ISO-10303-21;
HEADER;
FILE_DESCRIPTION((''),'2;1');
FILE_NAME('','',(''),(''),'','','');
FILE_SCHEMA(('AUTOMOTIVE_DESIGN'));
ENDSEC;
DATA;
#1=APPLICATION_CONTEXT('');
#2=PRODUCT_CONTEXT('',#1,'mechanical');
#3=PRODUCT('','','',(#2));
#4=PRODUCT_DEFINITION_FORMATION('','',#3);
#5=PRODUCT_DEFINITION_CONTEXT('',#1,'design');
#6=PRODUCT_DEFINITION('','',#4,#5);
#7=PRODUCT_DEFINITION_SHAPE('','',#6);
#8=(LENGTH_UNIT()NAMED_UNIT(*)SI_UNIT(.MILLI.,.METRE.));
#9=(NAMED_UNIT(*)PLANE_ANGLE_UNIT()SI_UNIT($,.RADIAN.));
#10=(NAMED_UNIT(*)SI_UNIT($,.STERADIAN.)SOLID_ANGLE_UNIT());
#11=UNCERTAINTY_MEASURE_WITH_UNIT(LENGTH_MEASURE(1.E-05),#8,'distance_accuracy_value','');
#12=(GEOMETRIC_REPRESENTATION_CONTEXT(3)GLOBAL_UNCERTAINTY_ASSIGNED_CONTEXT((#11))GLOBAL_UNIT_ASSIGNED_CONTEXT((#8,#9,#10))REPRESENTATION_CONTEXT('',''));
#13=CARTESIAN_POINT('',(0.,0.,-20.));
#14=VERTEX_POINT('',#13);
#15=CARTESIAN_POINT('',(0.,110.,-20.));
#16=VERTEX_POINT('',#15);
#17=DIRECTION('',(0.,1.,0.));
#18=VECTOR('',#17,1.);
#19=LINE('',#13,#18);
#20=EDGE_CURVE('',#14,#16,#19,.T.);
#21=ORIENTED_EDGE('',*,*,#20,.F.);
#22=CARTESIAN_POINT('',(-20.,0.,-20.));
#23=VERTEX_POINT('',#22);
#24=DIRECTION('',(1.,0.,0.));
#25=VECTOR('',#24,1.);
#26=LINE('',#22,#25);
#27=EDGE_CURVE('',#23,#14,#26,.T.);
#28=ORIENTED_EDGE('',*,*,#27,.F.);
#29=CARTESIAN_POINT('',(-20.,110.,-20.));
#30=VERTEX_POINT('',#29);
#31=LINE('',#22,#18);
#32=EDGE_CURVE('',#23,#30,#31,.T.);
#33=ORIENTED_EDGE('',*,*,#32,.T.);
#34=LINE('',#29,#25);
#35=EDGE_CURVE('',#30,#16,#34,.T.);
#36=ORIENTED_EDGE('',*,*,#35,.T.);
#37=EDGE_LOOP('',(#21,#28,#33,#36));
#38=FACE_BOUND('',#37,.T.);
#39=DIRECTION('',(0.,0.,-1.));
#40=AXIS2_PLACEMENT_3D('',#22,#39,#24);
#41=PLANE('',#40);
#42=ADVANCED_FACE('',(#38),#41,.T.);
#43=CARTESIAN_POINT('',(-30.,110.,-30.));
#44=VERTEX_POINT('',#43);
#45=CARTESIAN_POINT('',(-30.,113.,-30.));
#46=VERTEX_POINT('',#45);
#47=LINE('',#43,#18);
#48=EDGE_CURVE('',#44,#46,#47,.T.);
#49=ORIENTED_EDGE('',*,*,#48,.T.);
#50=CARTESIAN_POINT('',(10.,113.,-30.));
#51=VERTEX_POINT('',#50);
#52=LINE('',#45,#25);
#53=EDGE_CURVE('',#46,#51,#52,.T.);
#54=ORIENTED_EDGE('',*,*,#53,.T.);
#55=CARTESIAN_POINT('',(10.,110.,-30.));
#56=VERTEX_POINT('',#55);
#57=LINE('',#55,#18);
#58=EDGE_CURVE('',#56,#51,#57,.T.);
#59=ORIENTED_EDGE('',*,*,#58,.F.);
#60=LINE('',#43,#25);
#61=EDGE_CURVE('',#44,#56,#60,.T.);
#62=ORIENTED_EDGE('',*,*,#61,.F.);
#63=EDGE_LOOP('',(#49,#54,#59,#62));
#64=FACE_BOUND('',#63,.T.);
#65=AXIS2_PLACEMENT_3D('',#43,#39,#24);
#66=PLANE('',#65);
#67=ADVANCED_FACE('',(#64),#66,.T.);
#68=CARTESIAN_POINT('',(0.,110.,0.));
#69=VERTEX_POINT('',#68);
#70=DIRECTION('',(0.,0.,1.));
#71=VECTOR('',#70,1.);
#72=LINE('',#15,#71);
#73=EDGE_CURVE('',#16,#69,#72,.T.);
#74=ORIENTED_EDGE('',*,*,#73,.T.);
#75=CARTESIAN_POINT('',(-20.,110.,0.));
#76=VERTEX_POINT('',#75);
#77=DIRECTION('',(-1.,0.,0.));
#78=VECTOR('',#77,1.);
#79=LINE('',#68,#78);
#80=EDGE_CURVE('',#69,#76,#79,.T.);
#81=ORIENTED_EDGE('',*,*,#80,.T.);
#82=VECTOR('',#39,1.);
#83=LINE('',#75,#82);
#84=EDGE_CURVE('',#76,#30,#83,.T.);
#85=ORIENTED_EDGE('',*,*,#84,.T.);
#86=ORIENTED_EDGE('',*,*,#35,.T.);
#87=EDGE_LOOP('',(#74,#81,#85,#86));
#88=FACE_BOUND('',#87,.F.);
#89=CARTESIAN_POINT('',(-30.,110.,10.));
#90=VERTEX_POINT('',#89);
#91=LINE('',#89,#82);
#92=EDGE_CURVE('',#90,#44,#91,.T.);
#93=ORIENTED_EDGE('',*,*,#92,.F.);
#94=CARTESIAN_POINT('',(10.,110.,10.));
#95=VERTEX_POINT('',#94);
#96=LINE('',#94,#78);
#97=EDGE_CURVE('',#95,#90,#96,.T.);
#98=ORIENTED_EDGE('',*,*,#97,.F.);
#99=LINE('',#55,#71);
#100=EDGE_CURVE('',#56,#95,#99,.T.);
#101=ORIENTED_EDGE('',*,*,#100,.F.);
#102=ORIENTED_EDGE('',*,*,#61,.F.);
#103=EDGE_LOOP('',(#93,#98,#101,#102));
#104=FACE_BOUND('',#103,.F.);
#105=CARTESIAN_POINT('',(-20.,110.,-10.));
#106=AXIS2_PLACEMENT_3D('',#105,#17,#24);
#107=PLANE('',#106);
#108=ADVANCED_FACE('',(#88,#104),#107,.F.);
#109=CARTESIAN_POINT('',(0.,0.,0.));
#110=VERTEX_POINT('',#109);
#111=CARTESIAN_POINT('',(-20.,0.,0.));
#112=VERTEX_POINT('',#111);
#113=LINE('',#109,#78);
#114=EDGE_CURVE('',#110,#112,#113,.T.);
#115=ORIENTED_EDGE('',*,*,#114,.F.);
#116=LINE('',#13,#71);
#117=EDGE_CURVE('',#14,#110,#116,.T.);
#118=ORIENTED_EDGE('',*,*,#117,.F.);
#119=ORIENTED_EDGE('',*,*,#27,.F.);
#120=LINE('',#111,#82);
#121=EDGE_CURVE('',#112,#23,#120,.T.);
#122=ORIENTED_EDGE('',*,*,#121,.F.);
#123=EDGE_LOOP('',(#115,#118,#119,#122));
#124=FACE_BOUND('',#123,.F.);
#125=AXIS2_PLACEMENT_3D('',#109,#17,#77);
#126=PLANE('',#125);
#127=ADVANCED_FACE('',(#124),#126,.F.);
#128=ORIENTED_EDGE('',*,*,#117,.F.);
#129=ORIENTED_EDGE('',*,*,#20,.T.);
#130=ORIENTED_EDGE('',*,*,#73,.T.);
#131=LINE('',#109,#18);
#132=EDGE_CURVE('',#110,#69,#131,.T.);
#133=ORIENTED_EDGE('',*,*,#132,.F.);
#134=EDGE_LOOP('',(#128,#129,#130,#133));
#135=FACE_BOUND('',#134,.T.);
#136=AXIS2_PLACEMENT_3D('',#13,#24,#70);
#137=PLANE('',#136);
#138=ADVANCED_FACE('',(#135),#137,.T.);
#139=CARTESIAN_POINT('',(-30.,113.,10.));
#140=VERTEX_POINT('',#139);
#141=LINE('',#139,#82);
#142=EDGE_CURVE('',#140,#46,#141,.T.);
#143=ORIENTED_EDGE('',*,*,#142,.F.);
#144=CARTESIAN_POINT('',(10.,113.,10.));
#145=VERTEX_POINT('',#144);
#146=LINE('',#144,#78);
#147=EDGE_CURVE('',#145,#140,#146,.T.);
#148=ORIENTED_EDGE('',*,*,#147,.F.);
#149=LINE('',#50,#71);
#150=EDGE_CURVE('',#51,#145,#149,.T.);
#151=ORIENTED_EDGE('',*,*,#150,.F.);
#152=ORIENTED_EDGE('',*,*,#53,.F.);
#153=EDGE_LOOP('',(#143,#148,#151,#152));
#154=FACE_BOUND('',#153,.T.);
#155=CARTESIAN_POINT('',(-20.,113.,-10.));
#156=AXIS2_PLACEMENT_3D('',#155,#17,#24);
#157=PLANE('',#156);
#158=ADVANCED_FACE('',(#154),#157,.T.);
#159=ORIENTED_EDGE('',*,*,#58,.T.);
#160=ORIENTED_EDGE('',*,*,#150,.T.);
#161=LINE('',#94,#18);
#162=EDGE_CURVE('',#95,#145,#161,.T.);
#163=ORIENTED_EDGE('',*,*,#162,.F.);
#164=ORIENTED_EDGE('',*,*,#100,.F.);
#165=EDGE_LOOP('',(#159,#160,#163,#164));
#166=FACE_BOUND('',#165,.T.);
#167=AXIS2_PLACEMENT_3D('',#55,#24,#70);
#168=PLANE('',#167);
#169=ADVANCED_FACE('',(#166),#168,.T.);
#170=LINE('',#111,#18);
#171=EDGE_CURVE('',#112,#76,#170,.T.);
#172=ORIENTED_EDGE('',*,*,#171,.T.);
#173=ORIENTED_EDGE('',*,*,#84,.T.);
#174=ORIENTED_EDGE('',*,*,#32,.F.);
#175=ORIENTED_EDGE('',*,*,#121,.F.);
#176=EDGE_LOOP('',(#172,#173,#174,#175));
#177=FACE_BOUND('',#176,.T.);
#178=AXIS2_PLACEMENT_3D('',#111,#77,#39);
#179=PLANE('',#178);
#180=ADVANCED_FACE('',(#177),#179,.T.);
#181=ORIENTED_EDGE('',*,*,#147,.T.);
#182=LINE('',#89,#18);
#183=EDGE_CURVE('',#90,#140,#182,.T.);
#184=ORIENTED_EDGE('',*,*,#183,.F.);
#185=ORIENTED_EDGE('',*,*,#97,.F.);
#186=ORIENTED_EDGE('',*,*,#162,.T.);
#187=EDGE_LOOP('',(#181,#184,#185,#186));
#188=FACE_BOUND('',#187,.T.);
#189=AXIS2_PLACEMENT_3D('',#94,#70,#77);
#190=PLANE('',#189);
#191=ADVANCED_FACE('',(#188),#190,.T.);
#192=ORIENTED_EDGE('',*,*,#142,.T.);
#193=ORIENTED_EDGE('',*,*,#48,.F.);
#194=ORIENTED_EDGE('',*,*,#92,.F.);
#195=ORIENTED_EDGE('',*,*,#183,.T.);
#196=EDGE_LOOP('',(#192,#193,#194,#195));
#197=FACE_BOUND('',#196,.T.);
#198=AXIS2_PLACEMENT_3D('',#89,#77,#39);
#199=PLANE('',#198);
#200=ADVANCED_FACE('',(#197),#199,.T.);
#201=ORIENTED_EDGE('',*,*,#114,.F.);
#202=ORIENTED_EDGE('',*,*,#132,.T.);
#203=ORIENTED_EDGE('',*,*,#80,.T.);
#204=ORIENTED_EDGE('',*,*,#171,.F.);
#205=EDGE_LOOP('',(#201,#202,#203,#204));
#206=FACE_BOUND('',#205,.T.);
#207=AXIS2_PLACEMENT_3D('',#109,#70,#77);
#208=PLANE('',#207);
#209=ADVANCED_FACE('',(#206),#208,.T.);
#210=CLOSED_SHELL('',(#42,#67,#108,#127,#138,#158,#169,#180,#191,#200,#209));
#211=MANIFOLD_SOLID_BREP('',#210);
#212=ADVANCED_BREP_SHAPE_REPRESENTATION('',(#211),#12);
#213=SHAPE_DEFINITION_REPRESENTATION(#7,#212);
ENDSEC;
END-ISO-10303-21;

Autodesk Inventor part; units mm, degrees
ref_plane "YZ Plane" through (0, 0, 0) normal (1, 0, 0) x (0, 1, 0)
ref_plane "XZ Plane" through (0, 0, 0) normal (0, 1, 0) x (-1, 0, 0)
ref_plane "XY Plane" through (0, 0, 0) normal (0, 0, 1) x (1, 0, 0)
sketch "Sketch1" plane through (0, 0, 0) normal (0, 1, 0) x (-1, 0, 0)
  line L0 (0, 0) -> (20, 0)
  line L1 (20, 0) -> (20, -20)
  line L2 (20, -20) -> (0, -20)
  line L3 (0, -20) -> (0, 0)
  dimension "d0" = 20
  dimension "d1" = 20
extrude "Extrusion1" add sketch "Sketch1" along normal blind 110
ref_plane "Work Plane1" through (-20, 110, -10) normal (0, 1, 0) x (1, 0, 0)
sketch "Sketch3" plane through (-20, 110, -10) normal (0, 1, 0) x (1, 0, 0)
  line L0 (0, -10) -> (20, -10) projected
  line L1 (20, -10) -> (20, 10) projected
  line L2 (30, -20) -> (-10, -20)
  line L3 (-10, -20) -> (-10, 20)
  line L4 (-10, 20) -> (30, 20)
  line L5 (30, 20) -> (30, -20)
  line L6 (30, -20) -> (-10, 20) construction
  line L7 (-10, -20) -> (30, 20) construction
  point P0 (10, 0)
  dimension "d4" = 10
  dimension "d5" = 10
  dimension "d6" = 40
  dimension "d7" = 40
extrude "Extrusion2" add sketch "Sketch3" along normal blind 3
properties part number "TagPillar"
